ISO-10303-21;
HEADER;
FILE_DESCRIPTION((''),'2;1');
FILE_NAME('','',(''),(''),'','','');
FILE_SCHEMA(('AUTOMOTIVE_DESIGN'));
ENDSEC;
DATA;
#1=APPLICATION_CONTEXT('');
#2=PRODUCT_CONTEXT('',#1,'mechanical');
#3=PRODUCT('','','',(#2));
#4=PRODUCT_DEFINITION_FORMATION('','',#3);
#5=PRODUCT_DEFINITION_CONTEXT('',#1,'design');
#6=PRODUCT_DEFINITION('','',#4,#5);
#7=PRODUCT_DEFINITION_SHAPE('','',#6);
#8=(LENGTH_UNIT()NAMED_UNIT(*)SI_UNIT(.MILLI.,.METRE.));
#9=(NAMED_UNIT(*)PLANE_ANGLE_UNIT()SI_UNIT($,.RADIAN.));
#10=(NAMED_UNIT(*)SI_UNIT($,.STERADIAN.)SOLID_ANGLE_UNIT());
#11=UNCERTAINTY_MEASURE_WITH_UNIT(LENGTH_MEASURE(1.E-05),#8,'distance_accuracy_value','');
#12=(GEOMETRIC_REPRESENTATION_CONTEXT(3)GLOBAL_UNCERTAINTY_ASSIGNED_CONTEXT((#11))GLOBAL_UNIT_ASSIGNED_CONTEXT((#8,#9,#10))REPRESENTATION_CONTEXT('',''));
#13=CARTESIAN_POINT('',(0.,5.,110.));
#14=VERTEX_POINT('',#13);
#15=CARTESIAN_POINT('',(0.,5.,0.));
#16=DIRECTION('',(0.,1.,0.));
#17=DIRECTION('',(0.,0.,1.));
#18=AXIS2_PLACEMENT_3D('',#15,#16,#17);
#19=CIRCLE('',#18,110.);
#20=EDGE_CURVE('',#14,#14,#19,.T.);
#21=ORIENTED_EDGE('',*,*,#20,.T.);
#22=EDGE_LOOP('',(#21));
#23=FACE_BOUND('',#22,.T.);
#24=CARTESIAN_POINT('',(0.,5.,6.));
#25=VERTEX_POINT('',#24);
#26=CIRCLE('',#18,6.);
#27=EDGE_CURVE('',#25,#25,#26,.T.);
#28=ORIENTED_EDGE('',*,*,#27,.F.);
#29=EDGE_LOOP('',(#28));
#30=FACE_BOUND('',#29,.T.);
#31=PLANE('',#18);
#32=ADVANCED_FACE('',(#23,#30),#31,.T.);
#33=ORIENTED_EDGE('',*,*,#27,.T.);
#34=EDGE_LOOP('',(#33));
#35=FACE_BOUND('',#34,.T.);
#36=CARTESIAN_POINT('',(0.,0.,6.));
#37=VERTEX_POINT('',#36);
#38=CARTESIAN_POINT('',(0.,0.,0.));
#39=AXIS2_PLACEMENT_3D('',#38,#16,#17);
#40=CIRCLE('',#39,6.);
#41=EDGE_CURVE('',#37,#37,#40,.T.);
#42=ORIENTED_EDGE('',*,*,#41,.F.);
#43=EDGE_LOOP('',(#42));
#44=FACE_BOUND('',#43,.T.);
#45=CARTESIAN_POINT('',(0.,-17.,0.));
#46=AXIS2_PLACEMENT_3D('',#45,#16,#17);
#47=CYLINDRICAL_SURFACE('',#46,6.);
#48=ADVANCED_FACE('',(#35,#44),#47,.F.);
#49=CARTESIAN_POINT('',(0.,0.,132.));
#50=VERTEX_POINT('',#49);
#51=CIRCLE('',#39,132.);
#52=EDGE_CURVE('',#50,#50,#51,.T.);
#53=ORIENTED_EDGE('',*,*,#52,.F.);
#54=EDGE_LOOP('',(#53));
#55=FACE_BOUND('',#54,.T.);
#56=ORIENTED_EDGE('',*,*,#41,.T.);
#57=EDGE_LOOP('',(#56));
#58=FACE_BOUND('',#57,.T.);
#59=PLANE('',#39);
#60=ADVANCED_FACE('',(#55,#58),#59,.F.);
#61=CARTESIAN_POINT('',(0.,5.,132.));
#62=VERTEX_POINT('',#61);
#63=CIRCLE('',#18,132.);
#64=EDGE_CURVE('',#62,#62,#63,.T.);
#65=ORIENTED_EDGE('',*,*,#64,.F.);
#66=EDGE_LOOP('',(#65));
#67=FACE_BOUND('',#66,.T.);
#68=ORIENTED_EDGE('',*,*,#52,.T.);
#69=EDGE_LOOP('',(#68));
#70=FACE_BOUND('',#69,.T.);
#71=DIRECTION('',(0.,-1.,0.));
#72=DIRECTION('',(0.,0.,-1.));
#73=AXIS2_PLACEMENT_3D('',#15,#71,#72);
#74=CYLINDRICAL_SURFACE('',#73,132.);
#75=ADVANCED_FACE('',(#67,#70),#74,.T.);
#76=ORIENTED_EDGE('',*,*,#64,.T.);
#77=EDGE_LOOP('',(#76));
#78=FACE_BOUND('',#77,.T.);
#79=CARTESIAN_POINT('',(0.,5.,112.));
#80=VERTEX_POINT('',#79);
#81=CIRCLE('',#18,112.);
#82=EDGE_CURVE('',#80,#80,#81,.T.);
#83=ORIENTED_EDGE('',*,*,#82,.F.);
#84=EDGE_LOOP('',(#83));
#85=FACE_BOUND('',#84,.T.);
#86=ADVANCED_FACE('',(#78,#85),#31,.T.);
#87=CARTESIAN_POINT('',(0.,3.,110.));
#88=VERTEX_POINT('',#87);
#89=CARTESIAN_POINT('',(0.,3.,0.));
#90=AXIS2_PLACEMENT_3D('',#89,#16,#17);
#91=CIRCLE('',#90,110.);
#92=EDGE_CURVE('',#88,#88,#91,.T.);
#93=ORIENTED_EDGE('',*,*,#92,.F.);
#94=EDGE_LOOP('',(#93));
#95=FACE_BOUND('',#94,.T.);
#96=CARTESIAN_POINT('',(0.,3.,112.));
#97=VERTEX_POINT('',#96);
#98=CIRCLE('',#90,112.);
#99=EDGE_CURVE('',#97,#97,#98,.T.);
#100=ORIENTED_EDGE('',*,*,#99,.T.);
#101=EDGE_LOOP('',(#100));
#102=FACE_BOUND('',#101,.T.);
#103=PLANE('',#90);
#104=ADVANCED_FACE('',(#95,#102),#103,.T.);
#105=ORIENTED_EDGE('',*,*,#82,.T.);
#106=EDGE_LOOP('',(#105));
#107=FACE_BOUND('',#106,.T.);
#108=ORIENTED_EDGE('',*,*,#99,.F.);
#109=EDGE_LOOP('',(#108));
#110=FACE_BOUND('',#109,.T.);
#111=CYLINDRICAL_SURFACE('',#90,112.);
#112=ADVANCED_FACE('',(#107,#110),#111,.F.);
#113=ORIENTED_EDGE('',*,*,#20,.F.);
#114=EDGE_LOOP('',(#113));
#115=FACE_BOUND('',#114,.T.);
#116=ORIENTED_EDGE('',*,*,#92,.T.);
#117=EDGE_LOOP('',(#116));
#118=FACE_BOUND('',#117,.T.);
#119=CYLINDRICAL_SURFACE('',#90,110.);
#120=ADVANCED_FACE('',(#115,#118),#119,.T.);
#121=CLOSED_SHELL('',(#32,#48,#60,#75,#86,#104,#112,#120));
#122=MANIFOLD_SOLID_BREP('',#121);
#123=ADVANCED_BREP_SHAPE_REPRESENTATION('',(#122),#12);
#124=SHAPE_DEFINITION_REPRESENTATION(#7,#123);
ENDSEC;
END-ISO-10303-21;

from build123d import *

# Parameters (mm, degrees)
SKETCH1_R           = 132
BOSS_EXTRUDE1_DEPTH = 5
SKETCH2_R           = 112
SKETCH2_R_2         = 110
CUT_EXTRUDE1_DEPTH  = 2
SKETCH3_R           = 6
CUT_EXTRUDE2_DEPTH  = 22


with BuildPart() as part:
    # Sketch1 → Boss-Extrude1 (new body)
    with BuildSketch(Plane(origin=(0, 0, 0), x_dir=(1, 0, 0), z_dir=(0, 1, 0))):
        with Locations(Location((0, 0, 0), (0, 0, 270))):
            Circle(SKETCH1_R)
    extrude(amount=BOSS_EXTRUDE1_DEPTH)

    # Sketch2 → Cut-Extrude1 (cut)
    with BuildSketch(Plane(origin=(0, 5, 0), x_dir=(1, 0, 0), z_dir=(0, 1, 0))):
        with Locations(Location((0, 0, 0), (0, 0, 270))):
            Circle(SKETCH2_R)
        with Locations(Location((0, 0, 0), (0, 0, 270))):
            Circle(SKETCH2_R_2, mode=Mode.SUBTRACT)
    extrude(amount=-CUT_EXTRUDE1_DEPTH, mode=Mode.SUBTRACT)

    # Sketch3 → Cut-Extrude2 (cut)
    with BuildSketch(Plane(origin=(0, 5, 0), x_dir=(1, 0, 0), z_dir=(0, 1, 0))):
        with Locations(Location((0, 0, 0), (0, 0, 270))):
            Circle(SKETCH3_R)
    extrude(amount=-CUT_EXTRUDE2_DEPTH, mode=Mode.SUBTRACT)


solid = part.part
